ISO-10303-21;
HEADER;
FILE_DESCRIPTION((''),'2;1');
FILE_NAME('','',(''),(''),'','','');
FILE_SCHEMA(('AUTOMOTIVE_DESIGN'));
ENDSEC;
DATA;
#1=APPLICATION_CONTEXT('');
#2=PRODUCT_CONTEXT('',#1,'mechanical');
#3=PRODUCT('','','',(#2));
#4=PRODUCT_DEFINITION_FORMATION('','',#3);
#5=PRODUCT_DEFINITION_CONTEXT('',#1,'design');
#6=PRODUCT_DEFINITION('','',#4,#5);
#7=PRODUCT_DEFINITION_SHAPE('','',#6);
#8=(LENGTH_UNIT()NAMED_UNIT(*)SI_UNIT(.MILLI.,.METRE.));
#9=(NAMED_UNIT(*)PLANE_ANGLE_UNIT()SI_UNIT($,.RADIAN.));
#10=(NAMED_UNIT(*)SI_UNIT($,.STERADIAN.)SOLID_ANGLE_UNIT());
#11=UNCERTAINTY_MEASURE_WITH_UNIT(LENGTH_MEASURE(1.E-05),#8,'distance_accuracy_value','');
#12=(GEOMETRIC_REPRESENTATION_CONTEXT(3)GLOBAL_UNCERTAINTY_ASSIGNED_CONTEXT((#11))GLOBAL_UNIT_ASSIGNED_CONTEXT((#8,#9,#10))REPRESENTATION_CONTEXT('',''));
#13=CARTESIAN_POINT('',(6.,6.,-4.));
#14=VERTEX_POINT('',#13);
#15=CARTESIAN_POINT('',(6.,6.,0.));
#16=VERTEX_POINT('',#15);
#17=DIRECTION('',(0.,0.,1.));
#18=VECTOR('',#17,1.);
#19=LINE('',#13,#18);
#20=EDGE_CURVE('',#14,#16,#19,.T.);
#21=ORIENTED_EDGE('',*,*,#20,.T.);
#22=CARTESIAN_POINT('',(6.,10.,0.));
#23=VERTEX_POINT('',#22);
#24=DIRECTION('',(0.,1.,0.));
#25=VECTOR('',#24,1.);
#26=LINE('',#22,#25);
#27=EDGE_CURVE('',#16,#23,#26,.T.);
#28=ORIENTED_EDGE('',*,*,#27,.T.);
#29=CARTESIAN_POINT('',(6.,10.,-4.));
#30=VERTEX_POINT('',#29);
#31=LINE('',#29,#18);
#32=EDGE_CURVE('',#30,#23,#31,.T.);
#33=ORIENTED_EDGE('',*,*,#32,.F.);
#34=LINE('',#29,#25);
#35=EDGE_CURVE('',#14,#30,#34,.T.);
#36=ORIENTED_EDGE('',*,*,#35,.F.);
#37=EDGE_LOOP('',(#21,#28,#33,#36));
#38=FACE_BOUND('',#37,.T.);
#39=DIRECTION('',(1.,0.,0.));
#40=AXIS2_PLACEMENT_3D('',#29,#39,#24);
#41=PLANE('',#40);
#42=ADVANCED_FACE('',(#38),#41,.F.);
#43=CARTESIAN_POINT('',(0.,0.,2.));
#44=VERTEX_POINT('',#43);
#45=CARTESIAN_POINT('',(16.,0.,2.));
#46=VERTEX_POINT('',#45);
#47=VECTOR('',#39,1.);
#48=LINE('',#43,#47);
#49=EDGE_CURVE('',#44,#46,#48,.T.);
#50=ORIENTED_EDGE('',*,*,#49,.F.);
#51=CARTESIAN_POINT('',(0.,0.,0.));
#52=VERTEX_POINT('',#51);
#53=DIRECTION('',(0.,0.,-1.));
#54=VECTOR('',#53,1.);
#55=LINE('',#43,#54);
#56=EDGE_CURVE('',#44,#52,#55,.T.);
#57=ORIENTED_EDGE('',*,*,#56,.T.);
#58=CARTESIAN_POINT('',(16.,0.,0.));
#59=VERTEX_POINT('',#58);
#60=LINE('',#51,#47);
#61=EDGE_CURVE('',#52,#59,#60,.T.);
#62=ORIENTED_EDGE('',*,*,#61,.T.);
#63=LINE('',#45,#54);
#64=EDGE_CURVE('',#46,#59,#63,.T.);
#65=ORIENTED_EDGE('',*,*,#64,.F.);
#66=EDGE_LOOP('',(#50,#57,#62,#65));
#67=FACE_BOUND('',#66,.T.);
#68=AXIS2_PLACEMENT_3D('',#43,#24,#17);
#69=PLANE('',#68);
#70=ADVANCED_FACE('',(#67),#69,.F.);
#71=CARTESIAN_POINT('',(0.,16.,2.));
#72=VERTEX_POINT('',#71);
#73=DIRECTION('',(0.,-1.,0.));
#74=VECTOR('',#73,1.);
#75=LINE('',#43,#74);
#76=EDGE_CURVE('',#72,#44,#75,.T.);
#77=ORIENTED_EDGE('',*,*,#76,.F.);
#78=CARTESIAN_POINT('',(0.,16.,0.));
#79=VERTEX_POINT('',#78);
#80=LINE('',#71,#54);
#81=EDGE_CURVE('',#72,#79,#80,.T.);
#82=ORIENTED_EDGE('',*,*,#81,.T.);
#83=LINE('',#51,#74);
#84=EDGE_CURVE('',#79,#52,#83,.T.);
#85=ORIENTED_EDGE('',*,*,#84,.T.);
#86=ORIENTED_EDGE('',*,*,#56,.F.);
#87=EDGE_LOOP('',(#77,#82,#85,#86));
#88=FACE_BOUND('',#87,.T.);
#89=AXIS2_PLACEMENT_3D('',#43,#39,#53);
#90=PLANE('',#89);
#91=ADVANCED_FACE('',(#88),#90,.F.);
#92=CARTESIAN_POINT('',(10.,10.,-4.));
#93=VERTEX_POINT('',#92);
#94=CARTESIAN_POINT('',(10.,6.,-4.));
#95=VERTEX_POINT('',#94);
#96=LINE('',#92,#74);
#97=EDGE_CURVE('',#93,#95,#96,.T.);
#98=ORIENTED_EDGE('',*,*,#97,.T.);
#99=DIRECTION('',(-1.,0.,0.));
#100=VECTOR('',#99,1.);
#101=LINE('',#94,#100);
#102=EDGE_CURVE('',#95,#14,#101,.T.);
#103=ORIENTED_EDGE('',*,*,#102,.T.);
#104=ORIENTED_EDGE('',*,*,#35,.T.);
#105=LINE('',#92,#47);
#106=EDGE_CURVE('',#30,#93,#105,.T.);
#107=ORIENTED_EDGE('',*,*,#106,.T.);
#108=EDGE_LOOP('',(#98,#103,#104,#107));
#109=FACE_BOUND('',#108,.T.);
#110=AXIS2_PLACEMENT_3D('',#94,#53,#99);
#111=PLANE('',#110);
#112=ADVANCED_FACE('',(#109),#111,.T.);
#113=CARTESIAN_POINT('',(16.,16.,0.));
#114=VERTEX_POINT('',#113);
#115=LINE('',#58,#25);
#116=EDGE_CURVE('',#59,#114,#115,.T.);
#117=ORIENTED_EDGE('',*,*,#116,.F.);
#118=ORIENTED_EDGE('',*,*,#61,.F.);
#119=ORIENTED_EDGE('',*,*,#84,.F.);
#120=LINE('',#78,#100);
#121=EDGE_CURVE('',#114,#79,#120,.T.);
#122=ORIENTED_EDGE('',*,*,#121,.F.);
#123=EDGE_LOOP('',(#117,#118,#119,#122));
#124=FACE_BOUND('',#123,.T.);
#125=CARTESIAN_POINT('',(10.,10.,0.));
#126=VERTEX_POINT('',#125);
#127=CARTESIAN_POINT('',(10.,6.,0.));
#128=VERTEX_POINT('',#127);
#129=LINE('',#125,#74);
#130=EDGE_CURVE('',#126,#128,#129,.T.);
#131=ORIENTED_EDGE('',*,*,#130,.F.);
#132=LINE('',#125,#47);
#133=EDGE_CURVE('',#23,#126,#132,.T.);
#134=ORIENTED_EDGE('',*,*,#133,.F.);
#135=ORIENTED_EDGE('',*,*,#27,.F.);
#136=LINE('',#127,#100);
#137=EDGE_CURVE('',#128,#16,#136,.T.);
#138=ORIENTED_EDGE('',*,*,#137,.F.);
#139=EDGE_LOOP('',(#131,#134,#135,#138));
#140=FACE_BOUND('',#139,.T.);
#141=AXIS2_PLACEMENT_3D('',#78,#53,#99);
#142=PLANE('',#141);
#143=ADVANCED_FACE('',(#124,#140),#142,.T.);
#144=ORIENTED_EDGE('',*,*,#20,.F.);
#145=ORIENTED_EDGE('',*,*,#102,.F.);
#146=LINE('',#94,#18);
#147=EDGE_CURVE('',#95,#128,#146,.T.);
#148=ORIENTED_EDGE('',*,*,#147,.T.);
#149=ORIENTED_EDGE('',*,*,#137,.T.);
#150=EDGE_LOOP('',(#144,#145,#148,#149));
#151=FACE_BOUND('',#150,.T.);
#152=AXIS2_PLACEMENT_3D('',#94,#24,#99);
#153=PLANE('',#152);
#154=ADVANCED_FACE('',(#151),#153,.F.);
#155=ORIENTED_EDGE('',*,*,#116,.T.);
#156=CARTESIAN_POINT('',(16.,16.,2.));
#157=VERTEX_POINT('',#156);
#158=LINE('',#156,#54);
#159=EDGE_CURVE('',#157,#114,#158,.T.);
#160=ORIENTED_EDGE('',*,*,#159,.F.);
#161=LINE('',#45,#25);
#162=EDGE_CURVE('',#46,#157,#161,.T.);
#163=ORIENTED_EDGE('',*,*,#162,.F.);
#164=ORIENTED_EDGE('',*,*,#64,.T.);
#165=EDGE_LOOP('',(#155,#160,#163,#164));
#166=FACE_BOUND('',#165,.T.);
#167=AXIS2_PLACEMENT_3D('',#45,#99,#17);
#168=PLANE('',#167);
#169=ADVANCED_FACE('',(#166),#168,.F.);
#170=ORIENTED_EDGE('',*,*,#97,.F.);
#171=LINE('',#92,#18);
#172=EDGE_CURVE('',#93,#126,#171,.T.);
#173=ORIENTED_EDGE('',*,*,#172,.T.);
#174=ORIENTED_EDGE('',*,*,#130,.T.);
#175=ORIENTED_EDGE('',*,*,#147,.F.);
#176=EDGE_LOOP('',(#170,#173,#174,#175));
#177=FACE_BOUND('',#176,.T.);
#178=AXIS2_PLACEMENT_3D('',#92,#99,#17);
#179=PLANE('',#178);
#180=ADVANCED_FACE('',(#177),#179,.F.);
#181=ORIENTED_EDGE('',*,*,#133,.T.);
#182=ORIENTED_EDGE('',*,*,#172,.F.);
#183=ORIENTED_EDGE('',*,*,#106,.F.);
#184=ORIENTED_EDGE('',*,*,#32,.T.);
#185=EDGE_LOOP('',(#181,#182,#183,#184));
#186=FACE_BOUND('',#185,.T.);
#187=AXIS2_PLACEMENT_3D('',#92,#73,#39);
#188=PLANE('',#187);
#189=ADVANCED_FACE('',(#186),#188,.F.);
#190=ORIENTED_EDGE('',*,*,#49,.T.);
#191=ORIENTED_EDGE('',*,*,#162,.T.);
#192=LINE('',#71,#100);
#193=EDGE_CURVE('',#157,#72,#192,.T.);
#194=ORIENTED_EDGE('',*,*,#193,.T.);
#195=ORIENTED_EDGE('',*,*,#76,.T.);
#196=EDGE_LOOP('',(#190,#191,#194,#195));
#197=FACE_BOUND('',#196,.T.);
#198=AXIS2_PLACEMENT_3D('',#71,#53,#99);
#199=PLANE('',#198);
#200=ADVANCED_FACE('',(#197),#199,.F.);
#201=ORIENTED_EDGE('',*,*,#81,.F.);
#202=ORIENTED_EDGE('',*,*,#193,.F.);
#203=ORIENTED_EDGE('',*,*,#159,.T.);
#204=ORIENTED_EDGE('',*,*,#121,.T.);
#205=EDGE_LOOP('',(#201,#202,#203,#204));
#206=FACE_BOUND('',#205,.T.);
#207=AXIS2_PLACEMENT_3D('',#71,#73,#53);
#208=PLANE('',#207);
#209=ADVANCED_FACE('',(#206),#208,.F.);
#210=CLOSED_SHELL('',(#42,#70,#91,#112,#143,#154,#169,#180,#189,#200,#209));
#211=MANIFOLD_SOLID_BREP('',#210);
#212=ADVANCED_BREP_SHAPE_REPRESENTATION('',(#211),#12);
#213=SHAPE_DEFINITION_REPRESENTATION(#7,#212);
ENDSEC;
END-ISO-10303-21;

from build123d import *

# Parameters (mm, degrees)
ESQUISSE1_W        = 16
ESQUISSE1_H        = 16
BOSS_EXTRU_1_DEPTH = 2
ESQUISSE2_W        = 4
ESQUISSE2_H        = 4
BOSS_EXTRU_2_DEPTH = 4


with BuildPart() as part:
    # Esquisse1 → Boss.-Extru.1 (new body)
    with BuildSketch(Plane.XY):
        with Locations((8, 8)):
            Rectangle(ESQUISSE1_W, ESQUISSE1_H)
    extrude(amount=BOSS_EXTRU_1_DEPTH)

    # Esquisse2 → Boss.-Extru.2 (add)
    with BuildSketch(Plane(origin=(0, 0, 0), x_dir=(-1, 0, 0), z_dir=(0, 0, -1))):
        with Locations((-8, 8)):
            Rectangle(ESQUISSE2_W, ESQUISSE2_H)
    extrude(amount=BOSS_EXTRU_2_DEPTH)


solid = part.part
